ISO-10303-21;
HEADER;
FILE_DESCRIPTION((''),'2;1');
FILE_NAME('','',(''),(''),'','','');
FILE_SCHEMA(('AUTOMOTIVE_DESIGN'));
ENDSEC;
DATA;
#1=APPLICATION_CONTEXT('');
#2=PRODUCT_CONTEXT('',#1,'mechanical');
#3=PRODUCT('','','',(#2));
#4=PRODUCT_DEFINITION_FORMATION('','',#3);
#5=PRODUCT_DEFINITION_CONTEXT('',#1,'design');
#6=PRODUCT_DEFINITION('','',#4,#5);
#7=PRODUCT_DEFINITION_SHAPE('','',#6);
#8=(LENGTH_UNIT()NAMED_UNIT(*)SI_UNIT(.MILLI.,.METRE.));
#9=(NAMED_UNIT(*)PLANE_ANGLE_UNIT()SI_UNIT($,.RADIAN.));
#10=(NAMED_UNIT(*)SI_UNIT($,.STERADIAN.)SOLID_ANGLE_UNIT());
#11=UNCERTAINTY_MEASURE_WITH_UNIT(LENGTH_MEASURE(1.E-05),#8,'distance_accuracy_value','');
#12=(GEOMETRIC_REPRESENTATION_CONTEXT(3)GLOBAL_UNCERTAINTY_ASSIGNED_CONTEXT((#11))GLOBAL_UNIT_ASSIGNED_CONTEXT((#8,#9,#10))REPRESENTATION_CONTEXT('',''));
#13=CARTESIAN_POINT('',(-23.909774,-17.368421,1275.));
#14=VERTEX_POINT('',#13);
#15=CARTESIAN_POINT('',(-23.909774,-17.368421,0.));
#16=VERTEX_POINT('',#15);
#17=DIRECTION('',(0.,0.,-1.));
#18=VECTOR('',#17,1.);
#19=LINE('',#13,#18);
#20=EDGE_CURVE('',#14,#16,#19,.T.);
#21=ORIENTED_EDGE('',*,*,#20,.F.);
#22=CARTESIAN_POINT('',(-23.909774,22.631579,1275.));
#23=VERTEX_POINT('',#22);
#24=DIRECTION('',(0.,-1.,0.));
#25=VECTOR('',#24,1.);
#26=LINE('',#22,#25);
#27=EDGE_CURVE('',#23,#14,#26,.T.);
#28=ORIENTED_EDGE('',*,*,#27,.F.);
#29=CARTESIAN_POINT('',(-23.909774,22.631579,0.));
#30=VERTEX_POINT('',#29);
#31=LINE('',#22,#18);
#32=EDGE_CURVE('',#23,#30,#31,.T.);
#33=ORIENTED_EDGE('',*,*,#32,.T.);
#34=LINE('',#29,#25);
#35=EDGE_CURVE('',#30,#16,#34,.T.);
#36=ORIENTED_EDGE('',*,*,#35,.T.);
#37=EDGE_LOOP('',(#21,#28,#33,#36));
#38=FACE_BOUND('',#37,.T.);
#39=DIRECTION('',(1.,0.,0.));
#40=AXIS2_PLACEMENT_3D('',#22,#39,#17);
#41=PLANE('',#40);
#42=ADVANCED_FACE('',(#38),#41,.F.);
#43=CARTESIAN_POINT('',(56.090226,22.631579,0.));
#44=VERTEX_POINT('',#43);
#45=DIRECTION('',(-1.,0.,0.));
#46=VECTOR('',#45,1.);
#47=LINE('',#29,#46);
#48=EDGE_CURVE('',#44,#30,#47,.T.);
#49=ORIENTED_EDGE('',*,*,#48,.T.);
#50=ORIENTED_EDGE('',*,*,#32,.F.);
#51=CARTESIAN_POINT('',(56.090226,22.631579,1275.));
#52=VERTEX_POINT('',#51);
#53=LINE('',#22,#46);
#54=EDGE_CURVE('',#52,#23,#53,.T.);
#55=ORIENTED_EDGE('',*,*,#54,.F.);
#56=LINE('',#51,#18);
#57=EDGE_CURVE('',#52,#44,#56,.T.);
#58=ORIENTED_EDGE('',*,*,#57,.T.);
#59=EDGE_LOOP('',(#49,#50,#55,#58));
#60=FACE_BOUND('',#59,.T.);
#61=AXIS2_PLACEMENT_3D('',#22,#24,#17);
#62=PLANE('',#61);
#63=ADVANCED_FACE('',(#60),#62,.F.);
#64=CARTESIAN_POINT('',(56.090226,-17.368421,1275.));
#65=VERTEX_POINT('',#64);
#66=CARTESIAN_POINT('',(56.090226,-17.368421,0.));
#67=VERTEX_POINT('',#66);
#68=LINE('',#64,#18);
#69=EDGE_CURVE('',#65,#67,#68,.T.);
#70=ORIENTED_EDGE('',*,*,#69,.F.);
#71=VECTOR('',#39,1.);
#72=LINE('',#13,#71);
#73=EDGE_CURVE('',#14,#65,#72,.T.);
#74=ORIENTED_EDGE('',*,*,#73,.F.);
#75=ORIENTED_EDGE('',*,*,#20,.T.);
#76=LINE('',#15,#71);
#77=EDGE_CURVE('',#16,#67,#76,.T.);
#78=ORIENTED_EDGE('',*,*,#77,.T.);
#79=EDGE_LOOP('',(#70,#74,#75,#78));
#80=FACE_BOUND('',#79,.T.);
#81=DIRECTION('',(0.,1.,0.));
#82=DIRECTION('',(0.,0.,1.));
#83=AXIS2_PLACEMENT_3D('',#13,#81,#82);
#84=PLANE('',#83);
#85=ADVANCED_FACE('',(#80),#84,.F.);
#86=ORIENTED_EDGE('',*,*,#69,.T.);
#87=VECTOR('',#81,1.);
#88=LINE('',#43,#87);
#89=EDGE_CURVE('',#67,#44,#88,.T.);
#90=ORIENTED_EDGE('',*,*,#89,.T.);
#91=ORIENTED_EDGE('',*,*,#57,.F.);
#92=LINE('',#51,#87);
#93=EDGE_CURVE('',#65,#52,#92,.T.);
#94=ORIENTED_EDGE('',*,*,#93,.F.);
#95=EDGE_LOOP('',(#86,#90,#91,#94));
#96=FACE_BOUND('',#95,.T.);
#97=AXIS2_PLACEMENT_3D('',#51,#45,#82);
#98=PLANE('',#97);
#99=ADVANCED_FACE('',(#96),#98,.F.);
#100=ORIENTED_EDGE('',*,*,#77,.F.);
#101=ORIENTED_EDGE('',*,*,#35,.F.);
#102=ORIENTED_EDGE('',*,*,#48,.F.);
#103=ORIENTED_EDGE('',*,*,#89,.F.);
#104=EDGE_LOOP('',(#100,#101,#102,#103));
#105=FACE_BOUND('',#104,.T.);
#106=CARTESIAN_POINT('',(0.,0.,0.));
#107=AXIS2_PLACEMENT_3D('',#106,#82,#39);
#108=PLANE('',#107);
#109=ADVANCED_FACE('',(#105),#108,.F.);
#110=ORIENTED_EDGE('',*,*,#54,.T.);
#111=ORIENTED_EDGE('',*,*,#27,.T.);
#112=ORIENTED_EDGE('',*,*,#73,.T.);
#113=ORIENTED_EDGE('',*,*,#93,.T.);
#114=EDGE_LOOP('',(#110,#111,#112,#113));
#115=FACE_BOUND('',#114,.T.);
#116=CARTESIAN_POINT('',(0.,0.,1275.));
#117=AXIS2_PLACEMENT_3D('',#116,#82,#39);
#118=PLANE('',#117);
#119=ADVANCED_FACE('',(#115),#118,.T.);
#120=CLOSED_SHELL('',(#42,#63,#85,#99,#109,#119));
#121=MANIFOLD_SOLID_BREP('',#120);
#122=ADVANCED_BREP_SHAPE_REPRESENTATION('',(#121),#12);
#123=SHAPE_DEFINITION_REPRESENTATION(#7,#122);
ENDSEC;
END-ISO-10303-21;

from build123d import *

# Parameters (mm, degrees)
SKETCH_1_W      = 80
SKETCH_1_H      = 40
EXTRUDE_1_DEPTH = 1275


with BuildPart() as part:
    # Эскиз1 → Бобышка-Вытянуть1 (new body)
    with BuildSketch(Plane.XY):
        with Locations((16.090225564, 2.631578947)):
            Rectangle(SKETCH_1_W, SKETCH_1_H)
    extrude(amount=EXTRUDE_1_DEPTH)


solid = part.part
